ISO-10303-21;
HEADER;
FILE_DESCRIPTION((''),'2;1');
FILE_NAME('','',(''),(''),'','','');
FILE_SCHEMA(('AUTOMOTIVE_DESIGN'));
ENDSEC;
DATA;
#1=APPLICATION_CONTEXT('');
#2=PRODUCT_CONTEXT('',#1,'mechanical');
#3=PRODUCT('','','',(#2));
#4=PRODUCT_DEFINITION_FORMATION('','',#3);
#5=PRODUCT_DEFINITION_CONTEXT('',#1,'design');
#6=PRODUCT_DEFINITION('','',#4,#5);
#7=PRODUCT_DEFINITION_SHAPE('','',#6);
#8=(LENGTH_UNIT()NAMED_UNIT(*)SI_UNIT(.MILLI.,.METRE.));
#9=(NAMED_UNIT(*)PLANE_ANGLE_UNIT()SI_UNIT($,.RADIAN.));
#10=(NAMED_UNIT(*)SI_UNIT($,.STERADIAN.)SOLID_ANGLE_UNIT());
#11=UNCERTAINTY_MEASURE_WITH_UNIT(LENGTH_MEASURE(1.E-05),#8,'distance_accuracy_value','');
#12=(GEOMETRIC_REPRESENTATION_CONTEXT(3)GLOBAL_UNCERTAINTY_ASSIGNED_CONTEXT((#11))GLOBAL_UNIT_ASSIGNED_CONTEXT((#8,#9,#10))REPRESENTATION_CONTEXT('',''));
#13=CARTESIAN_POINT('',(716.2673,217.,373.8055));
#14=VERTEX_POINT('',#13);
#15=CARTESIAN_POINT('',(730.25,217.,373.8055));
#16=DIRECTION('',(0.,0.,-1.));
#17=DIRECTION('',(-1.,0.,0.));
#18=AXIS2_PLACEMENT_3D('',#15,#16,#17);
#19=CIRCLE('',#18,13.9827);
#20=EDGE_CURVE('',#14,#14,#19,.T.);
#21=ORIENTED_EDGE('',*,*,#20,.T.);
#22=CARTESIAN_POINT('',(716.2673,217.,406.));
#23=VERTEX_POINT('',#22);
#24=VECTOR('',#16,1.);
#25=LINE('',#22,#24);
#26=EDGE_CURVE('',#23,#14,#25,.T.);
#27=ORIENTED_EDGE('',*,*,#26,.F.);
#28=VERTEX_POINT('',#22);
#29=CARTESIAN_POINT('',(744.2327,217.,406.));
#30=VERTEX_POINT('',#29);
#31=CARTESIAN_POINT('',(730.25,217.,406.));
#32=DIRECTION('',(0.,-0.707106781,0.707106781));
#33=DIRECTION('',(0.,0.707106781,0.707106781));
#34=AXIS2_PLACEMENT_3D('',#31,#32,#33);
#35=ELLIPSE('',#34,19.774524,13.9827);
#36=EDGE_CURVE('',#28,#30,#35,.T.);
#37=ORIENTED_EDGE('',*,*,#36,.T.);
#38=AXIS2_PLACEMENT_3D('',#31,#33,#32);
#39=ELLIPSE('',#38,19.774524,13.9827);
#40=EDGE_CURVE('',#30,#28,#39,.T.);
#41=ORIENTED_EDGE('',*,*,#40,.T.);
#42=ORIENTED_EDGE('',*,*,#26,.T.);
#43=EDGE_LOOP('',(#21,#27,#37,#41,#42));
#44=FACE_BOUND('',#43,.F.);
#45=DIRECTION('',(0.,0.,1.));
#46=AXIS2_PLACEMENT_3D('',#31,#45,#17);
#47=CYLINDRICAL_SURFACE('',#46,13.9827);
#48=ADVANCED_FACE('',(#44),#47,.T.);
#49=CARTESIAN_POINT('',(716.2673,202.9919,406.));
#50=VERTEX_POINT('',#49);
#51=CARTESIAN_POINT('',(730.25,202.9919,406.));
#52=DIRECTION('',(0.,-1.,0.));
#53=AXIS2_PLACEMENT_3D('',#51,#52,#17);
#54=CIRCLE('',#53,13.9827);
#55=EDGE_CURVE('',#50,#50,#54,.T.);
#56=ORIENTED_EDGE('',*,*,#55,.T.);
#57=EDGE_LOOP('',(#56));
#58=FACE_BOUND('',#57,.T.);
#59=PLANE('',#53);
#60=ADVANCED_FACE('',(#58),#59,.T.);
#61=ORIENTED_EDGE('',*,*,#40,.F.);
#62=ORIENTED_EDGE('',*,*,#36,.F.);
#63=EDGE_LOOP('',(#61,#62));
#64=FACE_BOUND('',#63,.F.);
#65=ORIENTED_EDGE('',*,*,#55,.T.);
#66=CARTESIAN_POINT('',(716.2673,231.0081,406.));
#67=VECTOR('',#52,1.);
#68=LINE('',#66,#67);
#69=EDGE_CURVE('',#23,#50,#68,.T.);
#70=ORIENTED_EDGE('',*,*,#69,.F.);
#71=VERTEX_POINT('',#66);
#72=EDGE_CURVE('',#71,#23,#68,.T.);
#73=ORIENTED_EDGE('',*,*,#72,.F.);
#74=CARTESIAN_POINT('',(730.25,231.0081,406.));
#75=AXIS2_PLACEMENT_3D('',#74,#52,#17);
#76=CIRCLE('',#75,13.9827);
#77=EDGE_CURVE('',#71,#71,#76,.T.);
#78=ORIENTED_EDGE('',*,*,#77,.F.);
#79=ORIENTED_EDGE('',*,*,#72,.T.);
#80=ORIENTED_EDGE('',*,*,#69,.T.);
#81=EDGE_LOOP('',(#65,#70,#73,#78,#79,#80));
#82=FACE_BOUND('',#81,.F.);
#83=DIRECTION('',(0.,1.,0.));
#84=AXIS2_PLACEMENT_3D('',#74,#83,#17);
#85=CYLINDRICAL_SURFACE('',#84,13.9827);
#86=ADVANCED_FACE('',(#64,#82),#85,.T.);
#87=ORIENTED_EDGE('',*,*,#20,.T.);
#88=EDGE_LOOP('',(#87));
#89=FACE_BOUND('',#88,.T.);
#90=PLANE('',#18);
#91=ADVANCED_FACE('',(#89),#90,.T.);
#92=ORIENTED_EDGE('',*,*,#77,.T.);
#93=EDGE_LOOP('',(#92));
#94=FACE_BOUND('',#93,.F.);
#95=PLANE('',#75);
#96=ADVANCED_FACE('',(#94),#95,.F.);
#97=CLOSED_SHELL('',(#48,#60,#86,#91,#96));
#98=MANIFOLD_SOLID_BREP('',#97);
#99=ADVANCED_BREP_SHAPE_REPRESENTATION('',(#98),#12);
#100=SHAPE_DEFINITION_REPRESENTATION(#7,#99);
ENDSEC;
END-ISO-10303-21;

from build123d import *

# Parameters (mm, degrees)
CYLINDER025_R             = 13.9827
CYLINDER025_DEPTH         = 28.0162
CYLINDER026_R             = 13.9827
CYLINDER026_DEPTH         = 32.1945
FUSION012_PLACEMENT_ANGLE = 180


with BuildPart() as cylinder025:
    # Cylinder025 → Cylinder025 (new body)
    with BuildSketch(Plane.XZ.offset(-14.0081)):
        Circle(CYLINDER025_R)
    extrude(amount=CYLINDER025_DEPTH)


with BuildPart() as front_slip_r:
    # Cylinder026 → Cylinder026 (new body)
    with BuildSketch(Plane.XY):
        Circle(CYLINDER026_R)
    extrude(amount=CYLINDER026_DEPTH)

    # Fusion012: union Cylinder025
    add(cylinder025.part)


with BuildPart() as front_slip_r_1:
    # Fusion012 placement: moved
    add(front_slip_r.part.moved(Location((730.25, 217, 406))).rotate(Axis((730.25, 217, 406), (0, 1, 0)), FUSION012_PLACEMENT_ANGLE))


solid = front_slip_r_1.part
